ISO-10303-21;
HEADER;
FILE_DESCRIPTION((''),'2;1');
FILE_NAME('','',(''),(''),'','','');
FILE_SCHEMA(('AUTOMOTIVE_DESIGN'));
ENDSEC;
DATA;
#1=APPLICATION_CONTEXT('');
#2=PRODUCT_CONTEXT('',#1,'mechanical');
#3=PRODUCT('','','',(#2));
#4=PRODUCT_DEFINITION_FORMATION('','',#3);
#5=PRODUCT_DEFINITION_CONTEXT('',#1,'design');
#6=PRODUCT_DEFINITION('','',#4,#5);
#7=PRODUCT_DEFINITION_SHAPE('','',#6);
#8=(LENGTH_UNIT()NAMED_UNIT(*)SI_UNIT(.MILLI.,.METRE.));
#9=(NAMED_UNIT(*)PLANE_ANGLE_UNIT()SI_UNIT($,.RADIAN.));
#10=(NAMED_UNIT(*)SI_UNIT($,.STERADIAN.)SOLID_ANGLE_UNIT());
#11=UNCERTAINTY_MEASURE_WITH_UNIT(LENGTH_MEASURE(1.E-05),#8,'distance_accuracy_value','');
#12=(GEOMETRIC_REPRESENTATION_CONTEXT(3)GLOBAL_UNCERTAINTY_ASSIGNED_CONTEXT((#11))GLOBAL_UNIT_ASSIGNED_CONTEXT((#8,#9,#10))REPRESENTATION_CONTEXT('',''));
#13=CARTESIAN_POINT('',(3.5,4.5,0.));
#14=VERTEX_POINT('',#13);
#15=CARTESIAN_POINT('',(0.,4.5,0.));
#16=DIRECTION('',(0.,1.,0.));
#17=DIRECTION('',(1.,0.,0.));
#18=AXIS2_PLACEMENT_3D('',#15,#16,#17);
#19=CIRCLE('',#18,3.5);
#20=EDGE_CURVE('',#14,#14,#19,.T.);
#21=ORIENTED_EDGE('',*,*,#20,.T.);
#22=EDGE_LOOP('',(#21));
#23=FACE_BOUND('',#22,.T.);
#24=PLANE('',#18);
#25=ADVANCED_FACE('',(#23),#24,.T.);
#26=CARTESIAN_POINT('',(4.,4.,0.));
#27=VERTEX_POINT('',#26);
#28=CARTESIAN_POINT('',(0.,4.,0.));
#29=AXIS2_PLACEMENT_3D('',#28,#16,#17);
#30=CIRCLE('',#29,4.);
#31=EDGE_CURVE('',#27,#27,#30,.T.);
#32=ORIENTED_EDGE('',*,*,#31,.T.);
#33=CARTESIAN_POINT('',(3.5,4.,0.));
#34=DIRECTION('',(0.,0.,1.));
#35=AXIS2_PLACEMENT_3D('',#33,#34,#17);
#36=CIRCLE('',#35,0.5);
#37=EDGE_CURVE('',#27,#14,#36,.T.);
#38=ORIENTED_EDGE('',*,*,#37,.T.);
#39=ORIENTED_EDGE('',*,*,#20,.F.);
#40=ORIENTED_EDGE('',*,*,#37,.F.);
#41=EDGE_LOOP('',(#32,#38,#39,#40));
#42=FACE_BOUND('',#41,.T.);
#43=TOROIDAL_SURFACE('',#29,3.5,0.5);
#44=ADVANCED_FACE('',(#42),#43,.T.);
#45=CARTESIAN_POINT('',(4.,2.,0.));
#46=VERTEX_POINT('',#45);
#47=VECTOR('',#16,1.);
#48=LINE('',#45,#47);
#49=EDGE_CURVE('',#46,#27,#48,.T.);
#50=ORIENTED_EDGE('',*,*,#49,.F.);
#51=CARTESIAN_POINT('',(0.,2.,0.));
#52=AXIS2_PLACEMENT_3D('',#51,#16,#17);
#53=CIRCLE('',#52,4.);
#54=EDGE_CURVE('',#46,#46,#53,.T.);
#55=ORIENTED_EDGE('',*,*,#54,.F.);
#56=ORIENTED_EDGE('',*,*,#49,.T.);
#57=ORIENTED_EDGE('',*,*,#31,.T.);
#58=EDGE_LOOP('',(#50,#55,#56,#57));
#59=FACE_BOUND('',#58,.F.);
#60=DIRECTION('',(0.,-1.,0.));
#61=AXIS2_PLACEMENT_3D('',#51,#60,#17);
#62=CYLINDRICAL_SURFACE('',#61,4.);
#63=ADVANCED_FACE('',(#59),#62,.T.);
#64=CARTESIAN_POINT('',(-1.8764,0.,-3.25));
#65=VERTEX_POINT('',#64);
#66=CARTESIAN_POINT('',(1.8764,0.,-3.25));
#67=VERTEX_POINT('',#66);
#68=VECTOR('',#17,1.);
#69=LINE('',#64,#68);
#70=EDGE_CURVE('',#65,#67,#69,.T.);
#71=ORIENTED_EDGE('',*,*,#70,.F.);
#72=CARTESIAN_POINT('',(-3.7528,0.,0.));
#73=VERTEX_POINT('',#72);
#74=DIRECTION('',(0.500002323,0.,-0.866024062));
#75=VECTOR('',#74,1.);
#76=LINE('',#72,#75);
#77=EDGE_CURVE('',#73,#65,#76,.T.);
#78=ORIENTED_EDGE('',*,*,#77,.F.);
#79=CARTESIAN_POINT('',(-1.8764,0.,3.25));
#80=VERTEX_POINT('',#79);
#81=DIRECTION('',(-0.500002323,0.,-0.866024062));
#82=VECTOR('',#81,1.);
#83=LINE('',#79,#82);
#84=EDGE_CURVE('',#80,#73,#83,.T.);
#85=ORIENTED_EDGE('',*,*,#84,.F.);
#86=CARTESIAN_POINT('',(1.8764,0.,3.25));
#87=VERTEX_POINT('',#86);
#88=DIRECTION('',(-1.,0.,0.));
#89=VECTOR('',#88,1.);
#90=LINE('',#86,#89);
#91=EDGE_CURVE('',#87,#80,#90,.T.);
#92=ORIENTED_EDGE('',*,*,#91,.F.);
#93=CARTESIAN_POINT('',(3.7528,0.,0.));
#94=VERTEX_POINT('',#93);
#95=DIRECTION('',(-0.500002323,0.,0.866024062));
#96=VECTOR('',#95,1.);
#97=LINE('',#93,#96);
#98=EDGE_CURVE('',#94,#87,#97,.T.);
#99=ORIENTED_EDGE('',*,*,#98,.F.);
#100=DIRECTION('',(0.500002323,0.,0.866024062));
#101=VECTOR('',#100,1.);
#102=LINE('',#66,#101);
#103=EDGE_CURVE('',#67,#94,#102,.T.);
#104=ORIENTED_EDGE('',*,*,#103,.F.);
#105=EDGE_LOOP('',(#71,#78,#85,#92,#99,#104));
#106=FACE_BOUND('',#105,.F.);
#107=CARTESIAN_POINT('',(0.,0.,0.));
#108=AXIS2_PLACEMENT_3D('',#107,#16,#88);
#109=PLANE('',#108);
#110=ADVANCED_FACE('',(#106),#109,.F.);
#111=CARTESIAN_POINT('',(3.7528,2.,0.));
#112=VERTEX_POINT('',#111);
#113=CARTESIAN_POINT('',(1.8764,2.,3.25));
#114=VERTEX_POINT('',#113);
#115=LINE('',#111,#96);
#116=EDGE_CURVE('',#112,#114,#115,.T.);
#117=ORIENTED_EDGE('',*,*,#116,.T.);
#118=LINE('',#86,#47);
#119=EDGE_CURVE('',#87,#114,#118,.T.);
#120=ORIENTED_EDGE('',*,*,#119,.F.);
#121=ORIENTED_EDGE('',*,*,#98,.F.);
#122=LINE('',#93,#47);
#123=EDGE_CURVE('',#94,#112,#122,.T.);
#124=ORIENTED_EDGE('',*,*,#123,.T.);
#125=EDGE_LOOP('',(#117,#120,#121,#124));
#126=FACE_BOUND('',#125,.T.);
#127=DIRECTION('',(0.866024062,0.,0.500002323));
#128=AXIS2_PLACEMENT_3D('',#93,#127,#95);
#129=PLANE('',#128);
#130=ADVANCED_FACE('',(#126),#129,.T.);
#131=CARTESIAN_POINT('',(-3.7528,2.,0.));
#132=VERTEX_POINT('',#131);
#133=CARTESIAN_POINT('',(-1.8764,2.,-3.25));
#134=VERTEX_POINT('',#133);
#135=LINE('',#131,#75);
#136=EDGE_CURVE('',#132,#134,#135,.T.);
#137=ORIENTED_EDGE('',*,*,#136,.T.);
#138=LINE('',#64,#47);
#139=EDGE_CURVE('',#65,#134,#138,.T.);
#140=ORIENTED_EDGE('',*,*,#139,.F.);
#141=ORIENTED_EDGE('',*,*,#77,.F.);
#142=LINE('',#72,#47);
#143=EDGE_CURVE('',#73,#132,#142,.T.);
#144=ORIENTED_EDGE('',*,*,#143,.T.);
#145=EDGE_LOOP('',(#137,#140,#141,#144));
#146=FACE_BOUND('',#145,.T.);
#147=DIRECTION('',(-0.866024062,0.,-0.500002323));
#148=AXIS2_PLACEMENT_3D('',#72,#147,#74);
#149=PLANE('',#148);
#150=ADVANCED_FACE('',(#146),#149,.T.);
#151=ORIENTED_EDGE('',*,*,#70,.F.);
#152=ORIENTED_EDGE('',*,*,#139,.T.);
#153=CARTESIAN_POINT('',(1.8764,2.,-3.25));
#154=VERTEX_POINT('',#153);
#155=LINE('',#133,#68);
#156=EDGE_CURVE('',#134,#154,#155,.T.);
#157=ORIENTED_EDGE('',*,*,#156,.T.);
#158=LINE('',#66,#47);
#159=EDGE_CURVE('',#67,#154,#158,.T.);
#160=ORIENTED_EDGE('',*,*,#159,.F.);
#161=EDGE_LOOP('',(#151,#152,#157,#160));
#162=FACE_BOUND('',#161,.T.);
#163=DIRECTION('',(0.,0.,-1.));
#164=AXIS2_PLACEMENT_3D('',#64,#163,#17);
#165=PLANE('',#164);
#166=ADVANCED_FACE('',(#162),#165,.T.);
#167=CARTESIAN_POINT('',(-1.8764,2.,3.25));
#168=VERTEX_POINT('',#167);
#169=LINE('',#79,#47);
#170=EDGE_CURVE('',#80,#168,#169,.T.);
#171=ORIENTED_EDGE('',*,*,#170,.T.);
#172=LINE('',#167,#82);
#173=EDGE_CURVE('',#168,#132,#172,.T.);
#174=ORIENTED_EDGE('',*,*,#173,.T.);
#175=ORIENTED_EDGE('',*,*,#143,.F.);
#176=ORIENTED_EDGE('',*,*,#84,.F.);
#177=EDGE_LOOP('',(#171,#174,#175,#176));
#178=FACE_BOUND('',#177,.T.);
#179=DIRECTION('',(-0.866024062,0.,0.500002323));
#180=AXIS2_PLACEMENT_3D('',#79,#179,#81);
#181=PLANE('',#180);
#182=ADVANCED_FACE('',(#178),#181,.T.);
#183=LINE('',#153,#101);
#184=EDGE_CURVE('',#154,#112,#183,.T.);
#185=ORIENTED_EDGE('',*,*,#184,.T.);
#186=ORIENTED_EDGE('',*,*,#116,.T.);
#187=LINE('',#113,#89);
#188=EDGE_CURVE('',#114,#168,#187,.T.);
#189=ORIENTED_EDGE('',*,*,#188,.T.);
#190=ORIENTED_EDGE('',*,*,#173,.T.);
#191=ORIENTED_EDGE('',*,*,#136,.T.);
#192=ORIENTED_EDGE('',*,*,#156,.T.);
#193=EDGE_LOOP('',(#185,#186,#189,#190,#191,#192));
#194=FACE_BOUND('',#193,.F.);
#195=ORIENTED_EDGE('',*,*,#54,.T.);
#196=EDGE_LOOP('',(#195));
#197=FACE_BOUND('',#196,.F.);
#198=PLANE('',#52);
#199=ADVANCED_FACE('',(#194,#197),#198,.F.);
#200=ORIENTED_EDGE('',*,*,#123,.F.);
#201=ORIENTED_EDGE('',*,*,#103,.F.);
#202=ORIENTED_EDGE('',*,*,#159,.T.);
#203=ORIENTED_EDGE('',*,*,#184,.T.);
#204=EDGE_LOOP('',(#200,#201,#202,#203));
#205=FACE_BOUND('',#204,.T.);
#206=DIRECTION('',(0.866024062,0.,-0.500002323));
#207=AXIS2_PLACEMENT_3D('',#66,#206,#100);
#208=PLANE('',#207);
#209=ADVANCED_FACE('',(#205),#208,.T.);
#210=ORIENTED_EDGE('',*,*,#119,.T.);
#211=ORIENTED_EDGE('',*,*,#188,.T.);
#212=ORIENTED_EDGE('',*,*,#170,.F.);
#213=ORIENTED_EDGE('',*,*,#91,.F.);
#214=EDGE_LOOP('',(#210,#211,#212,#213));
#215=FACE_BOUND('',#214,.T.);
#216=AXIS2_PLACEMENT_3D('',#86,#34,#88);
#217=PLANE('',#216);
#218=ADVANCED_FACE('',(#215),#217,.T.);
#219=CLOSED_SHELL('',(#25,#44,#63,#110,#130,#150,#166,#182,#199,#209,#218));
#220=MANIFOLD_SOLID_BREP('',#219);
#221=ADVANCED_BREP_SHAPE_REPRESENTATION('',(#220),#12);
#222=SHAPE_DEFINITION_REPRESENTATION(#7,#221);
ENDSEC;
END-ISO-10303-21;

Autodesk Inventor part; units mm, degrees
ref_plane "YZ Plane" through (0, 0, 0) normal (1, 0, 0) x (0, 1, 0)
ref_plane "XZ Plane" through (0, 0, 0) normal (0, 1, 0) x (-1, 0, 0)
ref_plane "XY Plane" through (0, 0, 0) normal (0, 0, 1) x (1, 0, 0)
sketch "Sketch1" plane through (0, 0, 0) normal (0, 1, 0) x (-1, 0, 0)
  line L0 (3.7528, 0) -> (1.8764, -3.25)
  line L1 (1.8764, -3.25) -> (-1.8764, -3.25)
  line L2 (-1.8764, -3.25) -> (-3.7528, 0)
  line L3 (-3.7528, 0) -> (-1.8764, 3.25)
  line L4 (-1.8764, 3.25) -> (1.8764, 3.25)
  line L5 (1.8764, 3.25) -> (3.7528, 0)
  point P0 (0, 0)
  point P1 (0, 0)
  dimension "d0" = 6.5
extrude "Extrusion1" add sketch "Sketch1" along normal blind 2
sketch "Sketch2" plane through (0, 2, 0) normal (0, 1, 0) x (1, 0, 0)
  circle A0 centre (0, 0) radius 4
  dimension "d3" = 8
extrude "Extrusion2" add sketch "Sketch2" along normal blind 2.5
fillet "Fillet1" radius 0.5 1 edges at (-4, 4.5, 0)
properties part number "servo_nut_2_for_FatShark_180MG"
